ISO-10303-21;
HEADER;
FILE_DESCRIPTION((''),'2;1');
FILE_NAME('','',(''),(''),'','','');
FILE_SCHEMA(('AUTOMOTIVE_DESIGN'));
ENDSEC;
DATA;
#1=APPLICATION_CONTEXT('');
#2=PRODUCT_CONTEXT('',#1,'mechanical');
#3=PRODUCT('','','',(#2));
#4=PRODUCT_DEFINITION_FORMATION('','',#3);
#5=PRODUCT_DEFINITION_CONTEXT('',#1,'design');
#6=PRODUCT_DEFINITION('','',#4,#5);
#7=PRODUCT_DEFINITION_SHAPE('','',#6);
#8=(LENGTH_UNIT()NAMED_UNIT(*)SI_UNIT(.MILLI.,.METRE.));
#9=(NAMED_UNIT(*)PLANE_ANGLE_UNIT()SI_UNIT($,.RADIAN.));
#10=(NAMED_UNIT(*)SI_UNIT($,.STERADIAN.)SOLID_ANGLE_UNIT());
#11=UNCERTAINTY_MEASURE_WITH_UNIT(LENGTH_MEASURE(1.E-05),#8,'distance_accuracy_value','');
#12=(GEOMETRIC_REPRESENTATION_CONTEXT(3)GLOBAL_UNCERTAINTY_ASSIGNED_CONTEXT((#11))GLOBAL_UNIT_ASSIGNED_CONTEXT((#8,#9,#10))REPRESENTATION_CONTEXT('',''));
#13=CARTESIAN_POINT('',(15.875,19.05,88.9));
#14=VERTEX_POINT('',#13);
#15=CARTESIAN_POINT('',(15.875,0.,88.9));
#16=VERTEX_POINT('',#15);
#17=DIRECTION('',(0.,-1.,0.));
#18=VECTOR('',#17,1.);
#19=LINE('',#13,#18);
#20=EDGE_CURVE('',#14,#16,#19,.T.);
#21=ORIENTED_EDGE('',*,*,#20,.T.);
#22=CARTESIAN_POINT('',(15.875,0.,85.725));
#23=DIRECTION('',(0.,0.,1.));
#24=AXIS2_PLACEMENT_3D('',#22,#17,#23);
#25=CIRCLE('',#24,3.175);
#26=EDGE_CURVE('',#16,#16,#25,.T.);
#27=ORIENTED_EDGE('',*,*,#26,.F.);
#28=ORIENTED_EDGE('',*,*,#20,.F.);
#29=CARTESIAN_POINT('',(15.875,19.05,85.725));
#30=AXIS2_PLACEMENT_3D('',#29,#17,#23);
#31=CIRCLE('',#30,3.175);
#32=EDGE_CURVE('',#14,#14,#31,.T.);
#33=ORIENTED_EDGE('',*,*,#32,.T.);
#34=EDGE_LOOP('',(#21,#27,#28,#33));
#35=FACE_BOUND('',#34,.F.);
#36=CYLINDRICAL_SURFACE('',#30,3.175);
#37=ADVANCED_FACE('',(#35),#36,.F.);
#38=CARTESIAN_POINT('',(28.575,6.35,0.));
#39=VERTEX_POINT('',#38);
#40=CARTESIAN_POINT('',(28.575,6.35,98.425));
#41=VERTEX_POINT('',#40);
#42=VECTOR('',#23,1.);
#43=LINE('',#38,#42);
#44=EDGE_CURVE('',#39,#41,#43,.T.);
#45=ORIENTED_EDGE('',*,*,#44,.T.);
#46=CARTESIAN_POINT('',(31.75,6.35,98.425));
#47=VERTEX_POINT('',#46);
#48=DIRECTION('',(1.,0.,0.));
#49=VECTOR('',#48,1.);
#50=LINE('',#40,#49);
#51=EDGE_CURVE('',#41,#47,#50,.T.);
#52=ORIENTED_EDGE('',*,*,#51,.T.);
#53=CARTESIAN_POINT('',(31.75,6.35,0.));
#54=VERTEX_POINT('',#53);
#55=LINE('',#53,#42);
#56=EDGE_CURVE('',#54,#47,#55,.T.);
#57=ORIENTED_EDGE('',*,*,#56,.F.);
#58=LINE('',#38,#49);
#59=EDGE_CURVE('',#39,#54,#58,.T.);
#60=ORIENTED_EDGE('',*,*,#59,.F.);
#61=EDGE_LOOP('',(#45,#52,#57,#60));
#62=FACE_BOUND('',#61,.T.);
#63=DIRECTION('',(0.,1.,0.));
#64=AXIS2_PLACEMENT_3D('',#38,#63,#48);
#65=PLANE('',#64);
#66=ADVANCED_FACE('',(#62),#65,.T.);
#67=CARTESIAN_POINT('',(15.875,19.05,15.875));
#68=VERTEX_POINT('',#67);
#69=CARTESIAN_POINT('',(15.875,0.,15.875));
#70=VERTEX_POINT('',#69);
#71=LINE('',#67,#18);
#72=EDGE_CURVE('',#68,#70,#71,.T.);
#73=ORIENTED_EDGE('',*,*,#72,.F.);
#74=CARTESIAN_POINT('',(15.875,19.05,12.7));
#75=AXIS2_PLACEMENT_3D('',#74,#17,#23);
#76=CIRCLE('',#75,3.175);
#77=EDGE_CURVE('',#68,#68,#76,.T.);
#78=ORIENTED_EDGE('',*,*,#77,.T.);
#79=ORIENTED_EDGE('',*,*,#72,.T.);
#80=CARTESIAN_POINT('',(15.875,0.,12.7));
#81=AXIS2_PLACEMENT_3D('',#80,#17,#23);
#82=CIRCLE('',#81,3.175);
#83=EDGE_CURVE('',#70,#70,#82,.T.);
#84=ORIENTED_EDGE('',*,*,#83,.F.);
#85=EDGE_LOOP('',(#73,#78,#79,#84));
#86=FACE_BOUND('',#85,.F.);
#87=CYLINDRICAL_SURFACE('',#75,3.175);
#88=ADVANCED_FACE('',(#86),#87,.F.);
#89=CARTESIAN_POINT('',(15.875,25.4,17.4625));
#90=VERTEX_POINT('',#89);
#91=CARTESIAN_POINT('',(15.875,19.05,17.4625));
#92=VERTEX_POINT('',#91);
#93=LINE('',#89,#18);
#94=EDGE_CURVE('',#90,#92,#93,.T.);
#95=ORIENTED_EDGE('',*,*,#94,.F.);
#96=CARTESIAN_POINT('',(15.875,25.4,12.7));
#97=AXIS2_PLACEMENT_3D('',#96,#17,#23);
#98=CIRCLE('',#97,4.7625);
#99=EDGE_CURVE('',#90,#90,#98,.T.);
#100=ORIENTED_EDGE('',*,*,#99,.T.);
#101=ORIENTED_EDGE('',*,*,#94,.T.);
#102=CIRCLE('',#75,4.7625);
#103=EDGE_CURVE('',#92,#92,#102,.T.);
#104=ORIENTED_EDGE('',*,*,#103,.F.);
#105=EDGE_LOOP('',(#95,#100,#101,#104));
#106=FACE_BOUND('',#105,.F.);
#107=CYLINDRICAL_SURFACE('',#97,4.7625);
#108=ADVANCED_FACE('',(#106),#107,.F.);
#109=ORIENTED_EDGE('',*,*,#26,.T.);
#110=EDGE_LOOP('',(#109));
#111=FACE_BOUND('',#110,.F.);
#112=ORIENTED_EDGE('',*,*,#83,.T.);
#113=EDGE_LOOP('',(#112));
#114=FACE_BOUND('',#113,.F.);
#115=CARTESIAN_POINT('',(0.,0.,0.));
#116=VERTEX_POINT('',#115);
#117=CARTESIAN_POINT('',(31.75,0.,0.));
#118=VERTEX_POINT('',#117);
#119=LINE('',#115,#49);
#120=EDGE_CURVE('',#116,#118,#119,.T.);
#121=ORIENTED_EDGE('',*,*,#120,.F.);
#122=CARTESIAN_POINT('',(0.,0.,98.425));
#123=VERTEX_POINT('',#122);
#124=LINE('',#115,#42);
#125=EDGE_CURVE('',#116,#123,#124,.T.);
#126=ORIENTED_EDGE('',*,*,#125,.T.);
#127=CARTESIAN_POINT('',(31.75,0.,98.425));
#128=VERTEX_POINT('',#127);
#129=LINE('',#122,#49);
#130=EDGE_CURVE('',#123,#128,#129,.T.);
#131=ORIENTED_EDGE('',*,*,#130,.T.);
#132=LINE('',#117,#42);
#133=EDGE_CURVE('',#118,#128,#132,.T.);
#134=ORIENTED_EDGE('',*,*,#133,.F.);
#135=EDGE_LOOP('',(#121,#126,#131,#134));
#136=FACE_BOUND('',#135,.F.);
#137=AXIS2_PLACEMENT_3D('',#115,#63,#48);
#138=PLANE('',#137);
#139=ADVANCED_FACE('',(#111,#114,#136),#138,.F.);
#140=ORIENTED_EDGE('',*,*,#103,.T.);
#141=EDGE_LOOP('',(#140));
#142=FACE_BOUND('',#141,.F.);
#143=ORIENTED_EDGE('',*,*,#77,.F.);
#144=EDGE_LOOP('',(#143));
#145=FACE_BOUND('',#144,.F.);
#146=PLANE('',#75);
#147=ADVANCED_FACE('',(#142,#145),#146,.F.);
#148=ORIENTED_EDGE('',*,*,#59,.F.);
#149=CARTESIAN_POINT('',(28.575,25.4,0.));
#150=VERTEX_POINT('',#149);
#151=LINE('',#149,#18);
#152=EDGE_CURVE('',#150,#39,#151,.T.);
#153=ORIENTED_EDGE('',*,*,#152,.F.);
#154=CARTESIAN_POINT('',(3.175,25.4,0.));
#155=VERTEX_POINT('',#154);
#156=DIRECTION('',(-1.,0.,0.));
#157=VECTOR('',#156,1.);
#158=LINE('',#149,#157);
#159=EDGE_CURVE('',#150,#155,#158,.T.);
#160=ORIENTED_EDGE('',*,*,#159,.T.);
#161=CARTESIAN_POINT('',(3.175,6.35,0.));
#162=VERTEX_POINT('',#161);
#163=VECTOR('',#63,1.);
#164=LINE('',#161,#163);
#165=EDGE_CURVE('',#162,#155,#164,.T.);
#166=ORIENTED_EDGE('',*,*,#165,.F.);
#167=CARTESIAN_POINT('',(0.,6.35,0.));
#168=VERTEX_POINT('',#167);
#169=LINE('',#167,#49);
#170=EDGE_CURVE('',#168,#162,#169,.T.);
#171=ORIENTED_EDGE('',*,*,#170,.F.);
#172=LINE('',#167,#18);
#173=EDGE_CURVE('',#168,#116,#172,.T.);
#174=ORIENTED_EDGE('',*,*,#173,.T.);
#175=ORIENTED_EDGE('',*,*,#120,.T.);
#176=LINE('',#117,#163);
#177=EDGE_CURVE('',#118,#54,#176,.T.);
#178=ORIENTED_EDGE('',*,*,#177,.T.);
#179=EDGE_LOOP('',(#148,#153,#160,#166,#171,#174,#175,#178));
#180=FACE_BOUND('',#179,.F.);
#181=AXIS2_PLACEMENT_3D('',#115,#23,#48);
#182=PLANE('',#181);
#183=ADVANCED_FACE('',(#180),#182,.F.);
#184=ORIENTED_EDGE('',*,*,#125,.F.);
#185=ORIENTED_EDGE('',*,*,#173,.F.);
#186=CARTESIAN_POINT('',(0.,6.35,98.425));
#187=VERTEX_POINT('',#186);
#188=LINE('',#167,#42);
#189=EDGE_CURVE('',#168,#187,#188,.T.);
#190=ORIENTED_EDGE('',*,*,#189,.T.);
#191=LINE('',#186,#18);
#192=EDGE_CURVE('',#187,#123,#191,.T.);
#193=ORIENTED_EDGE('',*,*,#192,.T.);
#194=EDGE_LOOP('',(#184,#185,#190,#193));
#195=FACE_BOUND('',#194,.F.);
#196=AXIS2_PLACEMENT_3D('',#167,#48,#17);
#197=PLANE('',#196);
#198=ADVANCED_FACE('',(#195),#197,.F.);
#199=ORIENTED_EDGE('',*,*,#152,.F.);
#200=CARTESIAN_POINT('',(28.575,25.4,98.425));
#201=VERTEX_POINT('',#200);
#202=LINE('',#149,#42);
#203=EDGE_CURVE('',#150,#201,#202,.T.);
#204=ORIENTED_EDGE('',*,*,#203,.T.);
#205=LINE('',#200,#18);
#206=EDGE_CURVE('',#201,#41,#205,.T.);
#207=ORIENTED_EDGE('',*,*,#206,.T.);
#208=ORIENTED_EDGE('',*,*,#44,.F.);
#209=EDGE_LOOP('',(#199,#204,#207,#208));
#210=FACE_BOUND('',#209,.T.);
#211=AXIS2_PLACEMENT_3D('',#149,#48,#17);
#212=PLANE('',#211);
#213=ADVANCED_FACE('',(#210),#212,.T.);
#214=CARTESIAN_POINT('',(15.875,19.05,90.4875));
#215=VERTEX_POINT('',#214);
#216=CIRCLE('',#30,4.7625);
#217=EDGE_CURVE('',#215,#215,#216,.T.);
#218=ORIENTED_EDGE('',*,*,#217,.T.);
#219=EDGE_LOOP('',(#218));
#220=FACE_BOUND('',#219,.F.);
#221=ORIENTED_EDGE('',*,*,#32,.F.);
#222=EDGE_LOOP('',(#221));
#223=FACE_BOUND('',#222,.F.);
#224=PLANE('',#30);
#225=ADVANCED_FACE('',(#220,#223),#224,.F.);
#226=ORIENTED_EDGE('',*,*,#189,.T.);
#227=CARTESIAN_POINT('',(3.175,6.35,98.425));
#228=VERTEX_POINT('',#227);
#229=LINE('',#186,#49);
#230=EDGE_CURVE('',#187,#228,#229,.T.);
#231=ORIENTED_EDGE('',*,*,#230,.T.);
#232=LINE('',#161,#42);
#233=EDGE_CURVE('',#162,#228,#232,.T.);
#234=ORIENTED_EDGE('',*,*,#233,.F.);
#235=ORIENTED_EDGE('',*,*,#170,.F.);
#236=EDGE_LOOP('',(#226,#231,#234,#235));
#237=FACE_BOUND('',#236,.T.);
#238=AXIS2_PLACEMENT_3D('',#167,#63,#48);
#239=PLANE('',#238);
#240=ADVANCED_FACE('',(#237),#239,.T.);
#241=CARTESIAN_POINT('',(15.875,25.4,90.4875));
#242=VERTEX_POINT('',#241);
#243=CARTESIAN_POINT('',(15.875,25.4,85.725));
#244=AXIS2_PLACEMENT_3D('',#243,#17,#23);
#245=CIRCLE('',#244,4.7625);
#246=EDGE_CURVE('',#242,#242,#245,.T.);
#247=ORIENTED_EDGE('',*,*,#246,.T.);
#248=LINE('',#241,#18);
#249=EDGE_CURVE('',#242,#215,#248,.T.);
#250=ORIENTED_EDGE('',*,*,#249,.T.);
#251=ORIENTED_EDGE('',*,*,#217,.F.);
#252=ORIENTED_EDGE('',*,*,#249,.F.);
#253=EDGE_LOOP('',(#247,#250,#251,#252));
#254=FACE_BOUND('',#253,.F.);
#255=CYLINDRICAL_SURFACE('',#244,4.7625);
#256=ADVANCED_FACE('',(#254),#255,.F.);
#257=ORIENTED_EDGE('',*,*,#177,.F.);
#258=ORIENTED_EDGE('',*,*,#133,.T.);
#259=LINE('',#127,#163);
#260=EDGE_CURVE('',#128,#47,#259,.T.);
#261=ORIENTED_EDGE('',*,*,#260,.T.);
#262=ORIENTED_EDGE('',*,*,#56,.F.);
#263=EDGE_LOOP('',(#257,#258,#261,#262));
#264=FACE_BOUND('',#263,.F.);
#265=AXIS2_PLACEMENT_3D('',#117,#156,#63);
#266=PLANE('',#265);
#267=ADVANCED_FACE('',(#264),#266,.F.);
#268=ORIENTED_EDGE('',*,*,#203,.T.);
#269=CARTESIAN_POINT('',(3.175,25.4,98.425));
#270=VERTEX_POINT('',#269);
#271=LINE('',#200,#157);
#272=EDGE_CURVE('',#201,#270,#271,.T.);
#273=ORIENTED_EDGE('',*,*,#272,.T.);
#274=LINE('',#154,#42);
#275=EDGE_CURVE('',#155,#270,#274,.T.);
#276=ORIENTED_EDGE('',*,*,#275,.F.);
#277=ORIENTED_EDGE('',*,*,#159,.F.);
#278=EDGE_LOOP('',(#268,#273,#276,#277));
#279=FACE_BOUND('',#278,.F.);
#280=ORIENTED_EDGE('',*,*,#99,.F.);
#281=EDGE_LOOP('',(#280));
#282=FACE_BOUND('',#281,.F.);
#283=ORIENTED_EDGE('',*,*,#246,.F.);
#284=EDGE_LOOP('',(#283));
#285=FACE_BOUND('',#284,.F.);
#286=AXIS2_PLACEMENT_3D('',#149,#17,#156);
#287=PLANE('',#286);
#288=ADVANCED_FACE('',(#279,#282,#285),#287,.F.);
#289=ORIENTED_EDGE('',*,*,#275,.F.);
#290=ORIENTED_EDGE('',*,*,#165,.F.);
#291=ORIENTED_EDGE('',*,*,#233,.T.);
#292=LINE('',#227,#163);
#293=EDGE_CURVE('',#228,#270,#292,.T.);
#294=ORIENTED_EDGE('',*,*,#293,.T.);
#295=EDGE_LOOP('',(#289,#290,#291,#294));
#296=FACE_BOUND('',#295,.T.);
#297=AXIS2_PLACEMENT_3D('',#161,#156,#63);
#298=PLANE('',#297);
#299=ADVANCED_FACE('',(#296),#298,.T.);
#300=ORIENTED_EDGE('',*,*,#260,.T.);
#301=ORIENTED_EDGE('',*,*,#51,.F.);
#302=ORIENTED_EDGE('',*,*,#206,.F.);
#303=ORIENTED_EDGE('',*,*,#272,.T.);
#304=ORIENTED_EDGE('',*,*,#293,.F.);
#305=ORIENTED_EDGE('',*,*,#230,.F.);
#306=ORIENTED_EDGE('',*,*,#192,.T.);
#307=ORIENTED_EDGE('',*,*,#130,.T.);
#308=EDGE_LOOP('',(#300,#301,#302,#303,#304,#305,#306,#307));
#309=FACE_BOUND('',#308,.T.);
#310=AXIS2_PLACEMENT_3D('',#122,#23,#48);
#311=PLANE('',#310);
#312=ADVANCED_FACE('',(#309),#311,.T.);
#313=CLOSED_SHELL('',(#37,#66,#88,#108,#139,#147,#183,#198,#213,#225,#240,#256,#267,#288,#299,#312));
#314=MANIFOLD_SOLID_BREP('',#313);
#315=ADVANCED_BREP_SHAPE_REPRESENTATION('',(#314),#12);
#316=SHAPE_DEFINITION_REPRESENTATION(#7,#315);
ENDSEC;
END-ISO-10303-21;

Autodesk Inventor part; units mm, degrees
ref_plane "YZ Plane" through (0, 0, 0) normal (1, 0, 0) x (0, 1, 0)
ref_plane "XZ Plane" through (0, 0, 0) normal (0, 1, 0) x (-1, 0, 0)
ref_plane "XY Plane" through (0, 0, 0) normal (0, 0, 1) x (1, 0, 0)
sketch "Sketch1" plane through (0, 0, 0) normal (0, 0, 1) x (1, 0, 0)
  line L0 (0, 0) -> (31.75, 0)
  line L1 (31.75, 0) -> (31.75, 6.35)
  line L2 (31.75, 25.4) -> (28.575, 25.4) construction
  line L3 (0, 25.4) -> (0, 6.35) construction
  line L4 (0, 6.35) -> (3.175, 6.35)
  line L5 (3.175, 6.35) -> (3.175, 25.4)
  line L6 (28.575, 25.4) -> (28.575, 6.35)
  line L7 (28.575, 6.35) -> (31.75, 6.35)
  line L8 (0, 6.35) -> (0, 0)
  line L9 (3.175, 25.4) -> (0, 25.4) construction
  line L10 (28.575, 25.4) -> (3.175, 25.4)
  line L11 (31.75, 6.35) -> (31.75, 25.4) construction
  dimension "d0" = 31.75
  dimension "d1" = 25.4
  dimension "d2" = 6.35
  dimension "d3" = 3.175
extrude "Extrusion1" add sketch "Sketch1" along normal blind 98.425
sketch "Sketch2" plane through (3.175, 25.4, 0) normal (0, 1, 0) x (1, 0, 0)
  line L0 (0, -98.425) -> (25.4, -98.425) projected
  line L1 (25.4, 0) -> (25.4, -98.425) projected
  line L2 (25.4, 0) -> (0, 0) projected
  line L3 (0, 0) -> (0, -98.425) projected
  point P0 (-3.175, 0)
  point P1 (12.7, -85.725)
  point P2 (12.7, -12.7)
  dimension "d6" = 12.7
  dimension "d7" = 12.7
  dimension "d8" = 12.7
  dimension "d9" = 12.7
hole "Hole1" at (15.875, 25.4, 85.725) at (15.875, 25.4, 12.7) direction (0, -1, 0) diameter 6.35 end through all counterbore diameter 9.525 counterbore depth 6.35
equation "\"d9\" = d6"
properties part number "8 ball plastic slider"
